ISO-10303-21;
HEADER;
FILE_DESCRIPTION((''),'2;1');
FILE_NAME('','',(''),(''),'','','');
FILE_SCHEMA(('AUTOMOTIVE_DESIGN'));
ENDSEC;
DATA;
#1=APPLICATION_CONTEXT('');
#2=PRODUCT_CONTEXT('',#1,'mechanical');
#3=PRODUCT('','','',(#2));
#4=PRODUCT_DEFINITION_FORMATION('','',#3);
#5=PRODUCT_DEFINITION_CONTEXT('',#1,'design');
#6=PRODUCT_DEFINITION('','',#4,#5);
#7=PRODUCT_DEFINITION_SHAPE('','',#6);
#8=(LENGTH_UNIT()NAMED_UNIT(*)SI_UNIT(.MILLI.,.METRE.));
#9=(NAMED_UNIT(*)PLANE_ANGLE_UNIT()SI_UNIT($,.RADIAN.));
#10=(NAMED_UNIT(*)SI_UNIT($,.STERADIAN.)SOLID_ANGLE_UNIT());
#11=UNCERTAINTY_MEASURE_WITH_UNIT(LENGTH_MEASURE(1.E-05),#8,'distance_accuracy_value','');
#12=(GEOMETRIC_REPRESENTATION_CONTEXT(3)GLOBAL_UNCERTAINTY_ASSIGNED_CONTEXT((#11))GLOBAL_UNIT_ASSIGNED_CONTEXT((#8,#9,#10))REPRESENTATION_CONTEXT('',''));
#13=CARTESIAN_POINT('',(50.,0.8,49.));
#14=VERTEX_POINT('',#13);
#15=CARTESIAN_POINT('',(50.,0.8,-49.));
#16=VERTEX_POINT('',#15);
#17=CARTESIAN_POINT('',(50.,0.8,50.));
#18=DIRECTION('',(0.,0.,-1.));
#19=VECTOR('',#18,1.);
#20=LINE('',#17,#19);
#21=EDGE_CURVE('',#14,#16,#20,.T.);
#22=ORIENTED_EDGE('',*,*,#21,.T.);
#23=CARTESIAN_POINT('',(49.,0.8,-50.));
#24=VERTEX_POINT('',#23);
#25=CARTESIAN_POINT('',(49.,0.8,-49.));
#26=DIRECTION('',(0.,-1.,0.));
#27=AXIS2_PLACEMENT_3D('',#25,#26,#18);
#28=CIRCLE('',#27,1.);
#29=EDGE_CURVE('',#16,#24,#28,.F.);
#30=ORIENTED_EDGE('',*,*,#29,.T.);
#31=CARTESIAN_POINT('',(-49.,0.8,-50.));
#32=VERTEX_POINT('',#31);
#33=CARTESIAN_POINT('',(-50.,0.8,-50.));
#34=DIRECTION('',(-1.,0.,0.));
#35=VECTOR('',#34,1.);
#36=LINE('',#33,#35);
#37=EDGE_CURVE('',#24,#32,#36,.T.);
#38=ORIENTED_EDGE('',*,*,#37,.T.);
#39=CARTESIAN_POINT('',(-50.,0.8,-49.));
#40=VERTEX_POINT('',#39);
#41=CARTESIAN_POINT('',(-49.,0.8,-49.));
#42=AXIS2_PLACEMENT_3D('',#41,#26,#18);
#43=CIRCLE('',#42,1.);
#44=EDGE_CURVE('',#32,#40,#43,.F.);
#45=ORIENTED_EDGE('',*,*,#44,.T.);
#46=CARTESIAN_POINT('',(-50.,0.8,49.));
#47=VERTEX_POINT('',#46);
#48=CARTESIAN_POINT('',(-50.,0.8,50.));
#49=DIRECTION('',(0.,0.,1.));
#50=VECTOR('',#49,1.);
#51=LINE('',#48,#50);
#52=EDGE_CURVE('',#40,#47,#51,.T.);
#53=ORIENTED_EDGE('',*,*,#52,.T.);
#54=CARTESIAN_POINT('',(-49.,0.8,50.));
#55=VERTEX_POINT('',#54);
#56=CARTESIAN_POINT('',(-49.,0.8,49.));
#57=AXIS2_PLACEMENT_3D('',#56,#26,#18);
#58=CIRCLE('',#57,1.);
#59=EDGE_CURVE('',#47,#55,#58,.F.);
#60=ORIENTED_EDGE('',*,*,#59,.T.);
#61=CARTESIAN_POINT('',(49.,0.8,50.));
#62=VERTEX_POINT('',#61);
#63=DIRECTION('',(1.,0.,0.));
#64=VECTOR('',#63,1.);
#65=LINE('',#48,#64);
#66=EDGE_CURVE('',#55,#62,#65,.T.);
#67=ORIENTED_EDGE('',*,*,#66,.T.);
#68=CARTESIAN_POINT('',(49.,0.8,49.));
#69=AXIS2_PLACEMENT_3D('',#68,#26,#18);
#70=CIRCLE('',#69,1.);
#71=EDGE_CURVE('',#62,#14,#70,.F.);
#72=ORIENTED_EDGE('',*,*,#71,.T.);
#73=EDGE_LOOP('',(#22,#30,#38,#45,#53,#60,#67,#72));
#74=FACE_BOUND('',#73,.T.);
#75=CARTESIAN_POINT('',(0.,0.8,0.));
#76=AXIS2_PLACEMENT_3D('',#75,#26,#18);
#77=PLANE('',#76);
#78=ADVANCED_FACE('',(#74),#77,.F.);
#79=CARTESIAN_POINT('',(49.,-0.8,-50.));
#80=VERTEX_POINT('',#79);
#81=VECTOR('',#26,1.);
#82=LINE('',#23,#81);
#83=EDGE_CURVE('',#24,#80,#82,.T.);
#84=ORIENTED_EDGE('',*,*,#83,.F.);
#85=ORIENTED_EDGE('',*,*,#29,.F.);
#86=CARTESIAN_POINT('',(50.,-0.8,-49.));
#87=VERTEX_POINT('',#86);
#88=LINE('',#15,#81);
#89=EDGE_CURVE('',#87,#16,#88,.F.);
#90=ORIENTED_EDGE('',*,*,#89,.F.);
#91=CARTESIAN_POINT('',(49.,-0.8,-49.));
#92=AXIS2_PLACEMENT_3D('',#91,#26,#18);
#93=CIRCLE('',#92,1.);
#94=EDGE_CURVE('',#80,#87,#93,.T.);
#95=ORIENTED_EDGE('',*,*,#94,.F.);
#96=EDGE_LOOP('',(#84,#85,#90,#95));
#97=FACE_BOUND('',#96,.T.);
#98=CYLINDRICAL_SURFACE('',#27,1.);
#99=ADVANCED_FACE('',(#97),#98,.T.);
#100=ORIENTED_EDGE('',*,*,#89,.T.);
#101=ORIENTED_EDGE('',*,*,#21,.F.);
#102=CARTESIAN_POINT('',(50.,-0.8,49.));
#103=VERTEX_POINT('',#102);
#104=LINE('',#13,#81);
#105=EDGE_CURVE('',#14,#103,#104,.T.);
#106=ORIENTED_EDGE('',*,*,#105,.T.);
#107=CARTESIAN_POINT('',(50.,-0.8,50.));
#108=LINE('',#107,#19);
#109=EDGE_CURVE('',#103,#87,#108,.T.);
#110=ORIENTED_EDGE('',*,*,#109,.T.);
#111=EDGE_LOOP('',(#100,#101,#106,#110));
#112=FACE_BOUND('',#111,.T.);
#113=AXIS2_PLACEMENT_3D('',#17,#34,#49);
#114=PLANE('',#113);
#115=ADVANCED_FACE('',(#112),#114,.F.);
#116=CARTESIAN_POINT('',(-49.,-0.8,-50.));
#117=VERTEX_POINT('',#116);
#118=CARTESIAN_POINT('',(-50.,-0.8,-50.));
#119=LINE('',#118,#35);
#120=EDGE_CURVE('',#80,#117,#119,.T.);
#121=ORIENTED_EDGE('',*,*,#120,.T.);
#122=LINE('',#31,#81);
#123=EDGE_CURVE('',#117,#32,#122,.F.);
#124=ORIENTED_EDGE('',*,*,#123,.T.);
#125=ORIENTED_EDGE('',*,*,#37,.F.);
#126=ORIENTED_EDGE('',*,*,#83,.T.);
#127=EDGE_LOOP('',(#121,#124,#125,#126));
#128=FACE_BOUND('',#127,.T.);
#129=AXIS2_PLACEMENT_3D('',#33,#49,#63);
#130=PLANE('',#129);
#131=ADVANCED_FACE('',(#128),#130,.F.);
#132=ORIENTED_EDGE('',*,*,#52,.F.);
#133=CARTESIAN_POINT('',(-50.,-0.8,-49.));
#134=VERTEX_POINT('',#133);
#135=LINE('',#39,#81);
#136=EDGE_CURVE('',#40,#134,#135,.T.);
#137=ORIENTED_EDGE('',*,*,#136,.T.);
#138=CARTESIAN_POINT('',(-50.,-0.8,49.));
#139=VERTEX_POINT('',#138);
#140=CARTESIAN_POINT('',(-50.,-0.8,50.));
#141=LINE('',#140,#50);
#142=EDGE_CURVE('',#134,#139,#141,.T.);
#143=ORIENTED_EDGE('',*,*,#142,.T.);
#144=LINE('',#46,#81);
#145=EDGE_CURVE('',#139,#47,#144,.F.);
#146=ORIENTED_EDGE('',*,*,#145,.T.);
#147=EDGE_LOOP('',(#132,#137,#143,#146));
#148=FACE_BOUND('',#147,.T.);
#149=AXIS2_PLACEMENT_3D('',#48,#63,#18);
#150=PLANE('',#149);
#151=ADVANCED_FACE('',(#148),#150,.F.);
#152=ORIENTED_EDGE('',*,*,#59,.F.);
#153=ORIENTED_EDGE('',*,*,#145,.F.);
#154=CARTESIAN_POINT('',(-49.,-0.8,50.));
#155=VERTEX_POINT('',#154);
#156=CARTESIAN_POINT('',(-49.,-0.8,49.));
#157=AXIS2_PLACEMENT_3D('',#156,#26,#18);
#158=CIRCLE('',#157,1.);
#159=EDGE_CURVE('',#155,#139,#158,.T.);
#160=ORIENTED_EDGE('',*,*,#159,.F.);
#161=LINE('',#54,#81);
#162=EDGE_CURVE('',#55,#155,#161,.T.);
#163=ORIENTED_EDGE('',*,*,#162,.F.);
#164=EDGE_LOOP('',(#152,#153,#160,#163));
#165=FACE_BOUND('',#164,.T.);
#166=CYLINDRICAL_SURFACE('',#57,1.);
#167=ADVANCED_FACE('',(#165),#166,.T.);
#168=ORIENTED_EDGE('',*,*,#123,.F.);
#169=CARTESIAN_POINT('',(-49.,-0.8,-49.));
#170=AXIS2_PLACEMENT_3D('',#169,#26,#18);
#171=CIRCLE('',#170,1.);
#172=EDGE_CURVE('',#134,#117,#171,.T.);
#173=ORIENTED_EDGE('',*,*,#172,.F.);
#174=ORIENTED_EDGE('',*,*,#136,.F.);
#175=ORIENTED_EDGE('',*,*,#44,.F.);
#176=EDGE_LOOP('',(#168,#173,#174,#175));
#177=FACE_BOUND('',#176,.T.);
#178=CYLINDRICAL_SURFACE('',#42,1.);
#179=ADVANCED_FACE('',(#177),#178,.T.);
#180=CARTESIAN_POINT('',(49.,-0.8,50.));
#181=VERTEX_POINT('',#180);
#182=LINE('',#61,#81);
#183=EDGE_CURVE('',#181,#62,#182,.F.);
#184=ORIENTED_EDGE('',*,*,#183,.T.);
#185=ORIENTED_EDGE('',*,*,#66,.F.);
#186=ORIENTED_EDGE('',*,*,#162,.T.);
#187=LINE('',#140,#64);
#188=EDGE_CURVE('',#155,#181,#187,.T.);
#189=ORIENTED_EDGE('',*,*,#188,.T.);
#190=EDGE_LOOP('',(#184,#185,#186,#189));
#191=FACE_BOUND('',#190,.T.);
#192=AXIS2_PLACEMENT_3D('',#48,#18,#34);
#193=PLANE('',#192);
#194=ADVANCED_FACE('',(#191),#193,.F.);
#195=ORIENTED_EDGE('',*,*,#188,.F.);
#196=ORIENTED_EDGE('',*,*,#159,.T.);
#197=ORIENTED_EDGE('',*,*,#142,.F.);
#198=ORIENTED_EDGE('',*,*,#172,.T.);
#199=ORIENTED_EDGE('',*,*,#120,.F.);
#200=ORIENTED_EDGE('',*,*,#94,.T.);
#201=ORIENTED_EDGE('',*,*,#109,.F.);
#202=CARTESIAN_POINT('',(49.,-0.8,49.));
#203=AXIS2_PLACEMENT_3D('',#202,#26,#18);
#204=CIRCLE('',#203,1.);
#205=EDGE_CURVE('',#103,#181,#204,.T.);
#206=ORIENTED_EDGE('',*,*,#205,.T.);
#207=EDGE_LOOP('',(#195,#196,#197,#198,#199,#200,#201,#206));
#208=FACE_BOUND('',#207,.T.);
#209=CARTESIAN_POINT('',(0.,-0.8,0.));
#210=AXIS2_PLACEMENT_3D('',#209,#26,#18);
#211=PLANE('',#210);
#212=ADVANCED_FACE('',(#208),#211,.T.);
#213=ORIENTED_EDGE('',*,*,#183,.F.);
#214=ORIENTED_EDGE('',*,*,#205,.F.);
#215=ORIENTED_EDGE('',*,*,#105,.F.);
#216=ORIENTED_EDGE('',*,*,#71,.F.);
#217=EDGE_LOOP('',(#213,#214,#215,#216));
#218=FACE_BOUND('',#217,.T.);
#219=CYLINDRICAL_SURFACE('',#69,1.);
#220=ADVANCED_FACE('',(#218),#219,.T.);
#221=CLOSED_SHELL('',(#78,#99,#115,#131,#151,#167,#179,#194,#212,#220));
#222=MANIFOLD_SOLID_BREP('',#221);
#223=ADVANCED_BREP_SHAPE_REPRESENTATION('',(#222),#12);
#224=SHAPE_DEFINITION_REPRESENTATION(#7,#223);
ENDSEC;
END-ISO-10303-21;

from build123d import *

# Parameters (mm, degrees)
SKETCH1_W           = 100
SKETCH1_H           = 100
BOSS_EXTRUDE1_DEPTH = 0.8
FILLET1_R           = 1


with BuildPart() as part:
    # Sketch1 → Boss-Extrude1 (new, symmetric)
    with BuildSketch(Plane(origin=(0, 0, 0), x_dir=(1, 0, 0), z_dir=(0, 1, 0))):
        Rectangle(SKETCH1_W, SKETCH1_H)
    extrude(amount=BOSS_EXTRUDE1_DEPTH, both=True)

    # Fillet1
    fillet1_edges = [part.edges().sort_by_distance(p)[0] for p in [
        (50, 0, 50),
        (-50, 0, 50),
        (-50, 0, -50),
        (50, 0, -50),
    ]]
    fillet(fillet1_edges, radius=FILLET1_R)


solid = part.part
